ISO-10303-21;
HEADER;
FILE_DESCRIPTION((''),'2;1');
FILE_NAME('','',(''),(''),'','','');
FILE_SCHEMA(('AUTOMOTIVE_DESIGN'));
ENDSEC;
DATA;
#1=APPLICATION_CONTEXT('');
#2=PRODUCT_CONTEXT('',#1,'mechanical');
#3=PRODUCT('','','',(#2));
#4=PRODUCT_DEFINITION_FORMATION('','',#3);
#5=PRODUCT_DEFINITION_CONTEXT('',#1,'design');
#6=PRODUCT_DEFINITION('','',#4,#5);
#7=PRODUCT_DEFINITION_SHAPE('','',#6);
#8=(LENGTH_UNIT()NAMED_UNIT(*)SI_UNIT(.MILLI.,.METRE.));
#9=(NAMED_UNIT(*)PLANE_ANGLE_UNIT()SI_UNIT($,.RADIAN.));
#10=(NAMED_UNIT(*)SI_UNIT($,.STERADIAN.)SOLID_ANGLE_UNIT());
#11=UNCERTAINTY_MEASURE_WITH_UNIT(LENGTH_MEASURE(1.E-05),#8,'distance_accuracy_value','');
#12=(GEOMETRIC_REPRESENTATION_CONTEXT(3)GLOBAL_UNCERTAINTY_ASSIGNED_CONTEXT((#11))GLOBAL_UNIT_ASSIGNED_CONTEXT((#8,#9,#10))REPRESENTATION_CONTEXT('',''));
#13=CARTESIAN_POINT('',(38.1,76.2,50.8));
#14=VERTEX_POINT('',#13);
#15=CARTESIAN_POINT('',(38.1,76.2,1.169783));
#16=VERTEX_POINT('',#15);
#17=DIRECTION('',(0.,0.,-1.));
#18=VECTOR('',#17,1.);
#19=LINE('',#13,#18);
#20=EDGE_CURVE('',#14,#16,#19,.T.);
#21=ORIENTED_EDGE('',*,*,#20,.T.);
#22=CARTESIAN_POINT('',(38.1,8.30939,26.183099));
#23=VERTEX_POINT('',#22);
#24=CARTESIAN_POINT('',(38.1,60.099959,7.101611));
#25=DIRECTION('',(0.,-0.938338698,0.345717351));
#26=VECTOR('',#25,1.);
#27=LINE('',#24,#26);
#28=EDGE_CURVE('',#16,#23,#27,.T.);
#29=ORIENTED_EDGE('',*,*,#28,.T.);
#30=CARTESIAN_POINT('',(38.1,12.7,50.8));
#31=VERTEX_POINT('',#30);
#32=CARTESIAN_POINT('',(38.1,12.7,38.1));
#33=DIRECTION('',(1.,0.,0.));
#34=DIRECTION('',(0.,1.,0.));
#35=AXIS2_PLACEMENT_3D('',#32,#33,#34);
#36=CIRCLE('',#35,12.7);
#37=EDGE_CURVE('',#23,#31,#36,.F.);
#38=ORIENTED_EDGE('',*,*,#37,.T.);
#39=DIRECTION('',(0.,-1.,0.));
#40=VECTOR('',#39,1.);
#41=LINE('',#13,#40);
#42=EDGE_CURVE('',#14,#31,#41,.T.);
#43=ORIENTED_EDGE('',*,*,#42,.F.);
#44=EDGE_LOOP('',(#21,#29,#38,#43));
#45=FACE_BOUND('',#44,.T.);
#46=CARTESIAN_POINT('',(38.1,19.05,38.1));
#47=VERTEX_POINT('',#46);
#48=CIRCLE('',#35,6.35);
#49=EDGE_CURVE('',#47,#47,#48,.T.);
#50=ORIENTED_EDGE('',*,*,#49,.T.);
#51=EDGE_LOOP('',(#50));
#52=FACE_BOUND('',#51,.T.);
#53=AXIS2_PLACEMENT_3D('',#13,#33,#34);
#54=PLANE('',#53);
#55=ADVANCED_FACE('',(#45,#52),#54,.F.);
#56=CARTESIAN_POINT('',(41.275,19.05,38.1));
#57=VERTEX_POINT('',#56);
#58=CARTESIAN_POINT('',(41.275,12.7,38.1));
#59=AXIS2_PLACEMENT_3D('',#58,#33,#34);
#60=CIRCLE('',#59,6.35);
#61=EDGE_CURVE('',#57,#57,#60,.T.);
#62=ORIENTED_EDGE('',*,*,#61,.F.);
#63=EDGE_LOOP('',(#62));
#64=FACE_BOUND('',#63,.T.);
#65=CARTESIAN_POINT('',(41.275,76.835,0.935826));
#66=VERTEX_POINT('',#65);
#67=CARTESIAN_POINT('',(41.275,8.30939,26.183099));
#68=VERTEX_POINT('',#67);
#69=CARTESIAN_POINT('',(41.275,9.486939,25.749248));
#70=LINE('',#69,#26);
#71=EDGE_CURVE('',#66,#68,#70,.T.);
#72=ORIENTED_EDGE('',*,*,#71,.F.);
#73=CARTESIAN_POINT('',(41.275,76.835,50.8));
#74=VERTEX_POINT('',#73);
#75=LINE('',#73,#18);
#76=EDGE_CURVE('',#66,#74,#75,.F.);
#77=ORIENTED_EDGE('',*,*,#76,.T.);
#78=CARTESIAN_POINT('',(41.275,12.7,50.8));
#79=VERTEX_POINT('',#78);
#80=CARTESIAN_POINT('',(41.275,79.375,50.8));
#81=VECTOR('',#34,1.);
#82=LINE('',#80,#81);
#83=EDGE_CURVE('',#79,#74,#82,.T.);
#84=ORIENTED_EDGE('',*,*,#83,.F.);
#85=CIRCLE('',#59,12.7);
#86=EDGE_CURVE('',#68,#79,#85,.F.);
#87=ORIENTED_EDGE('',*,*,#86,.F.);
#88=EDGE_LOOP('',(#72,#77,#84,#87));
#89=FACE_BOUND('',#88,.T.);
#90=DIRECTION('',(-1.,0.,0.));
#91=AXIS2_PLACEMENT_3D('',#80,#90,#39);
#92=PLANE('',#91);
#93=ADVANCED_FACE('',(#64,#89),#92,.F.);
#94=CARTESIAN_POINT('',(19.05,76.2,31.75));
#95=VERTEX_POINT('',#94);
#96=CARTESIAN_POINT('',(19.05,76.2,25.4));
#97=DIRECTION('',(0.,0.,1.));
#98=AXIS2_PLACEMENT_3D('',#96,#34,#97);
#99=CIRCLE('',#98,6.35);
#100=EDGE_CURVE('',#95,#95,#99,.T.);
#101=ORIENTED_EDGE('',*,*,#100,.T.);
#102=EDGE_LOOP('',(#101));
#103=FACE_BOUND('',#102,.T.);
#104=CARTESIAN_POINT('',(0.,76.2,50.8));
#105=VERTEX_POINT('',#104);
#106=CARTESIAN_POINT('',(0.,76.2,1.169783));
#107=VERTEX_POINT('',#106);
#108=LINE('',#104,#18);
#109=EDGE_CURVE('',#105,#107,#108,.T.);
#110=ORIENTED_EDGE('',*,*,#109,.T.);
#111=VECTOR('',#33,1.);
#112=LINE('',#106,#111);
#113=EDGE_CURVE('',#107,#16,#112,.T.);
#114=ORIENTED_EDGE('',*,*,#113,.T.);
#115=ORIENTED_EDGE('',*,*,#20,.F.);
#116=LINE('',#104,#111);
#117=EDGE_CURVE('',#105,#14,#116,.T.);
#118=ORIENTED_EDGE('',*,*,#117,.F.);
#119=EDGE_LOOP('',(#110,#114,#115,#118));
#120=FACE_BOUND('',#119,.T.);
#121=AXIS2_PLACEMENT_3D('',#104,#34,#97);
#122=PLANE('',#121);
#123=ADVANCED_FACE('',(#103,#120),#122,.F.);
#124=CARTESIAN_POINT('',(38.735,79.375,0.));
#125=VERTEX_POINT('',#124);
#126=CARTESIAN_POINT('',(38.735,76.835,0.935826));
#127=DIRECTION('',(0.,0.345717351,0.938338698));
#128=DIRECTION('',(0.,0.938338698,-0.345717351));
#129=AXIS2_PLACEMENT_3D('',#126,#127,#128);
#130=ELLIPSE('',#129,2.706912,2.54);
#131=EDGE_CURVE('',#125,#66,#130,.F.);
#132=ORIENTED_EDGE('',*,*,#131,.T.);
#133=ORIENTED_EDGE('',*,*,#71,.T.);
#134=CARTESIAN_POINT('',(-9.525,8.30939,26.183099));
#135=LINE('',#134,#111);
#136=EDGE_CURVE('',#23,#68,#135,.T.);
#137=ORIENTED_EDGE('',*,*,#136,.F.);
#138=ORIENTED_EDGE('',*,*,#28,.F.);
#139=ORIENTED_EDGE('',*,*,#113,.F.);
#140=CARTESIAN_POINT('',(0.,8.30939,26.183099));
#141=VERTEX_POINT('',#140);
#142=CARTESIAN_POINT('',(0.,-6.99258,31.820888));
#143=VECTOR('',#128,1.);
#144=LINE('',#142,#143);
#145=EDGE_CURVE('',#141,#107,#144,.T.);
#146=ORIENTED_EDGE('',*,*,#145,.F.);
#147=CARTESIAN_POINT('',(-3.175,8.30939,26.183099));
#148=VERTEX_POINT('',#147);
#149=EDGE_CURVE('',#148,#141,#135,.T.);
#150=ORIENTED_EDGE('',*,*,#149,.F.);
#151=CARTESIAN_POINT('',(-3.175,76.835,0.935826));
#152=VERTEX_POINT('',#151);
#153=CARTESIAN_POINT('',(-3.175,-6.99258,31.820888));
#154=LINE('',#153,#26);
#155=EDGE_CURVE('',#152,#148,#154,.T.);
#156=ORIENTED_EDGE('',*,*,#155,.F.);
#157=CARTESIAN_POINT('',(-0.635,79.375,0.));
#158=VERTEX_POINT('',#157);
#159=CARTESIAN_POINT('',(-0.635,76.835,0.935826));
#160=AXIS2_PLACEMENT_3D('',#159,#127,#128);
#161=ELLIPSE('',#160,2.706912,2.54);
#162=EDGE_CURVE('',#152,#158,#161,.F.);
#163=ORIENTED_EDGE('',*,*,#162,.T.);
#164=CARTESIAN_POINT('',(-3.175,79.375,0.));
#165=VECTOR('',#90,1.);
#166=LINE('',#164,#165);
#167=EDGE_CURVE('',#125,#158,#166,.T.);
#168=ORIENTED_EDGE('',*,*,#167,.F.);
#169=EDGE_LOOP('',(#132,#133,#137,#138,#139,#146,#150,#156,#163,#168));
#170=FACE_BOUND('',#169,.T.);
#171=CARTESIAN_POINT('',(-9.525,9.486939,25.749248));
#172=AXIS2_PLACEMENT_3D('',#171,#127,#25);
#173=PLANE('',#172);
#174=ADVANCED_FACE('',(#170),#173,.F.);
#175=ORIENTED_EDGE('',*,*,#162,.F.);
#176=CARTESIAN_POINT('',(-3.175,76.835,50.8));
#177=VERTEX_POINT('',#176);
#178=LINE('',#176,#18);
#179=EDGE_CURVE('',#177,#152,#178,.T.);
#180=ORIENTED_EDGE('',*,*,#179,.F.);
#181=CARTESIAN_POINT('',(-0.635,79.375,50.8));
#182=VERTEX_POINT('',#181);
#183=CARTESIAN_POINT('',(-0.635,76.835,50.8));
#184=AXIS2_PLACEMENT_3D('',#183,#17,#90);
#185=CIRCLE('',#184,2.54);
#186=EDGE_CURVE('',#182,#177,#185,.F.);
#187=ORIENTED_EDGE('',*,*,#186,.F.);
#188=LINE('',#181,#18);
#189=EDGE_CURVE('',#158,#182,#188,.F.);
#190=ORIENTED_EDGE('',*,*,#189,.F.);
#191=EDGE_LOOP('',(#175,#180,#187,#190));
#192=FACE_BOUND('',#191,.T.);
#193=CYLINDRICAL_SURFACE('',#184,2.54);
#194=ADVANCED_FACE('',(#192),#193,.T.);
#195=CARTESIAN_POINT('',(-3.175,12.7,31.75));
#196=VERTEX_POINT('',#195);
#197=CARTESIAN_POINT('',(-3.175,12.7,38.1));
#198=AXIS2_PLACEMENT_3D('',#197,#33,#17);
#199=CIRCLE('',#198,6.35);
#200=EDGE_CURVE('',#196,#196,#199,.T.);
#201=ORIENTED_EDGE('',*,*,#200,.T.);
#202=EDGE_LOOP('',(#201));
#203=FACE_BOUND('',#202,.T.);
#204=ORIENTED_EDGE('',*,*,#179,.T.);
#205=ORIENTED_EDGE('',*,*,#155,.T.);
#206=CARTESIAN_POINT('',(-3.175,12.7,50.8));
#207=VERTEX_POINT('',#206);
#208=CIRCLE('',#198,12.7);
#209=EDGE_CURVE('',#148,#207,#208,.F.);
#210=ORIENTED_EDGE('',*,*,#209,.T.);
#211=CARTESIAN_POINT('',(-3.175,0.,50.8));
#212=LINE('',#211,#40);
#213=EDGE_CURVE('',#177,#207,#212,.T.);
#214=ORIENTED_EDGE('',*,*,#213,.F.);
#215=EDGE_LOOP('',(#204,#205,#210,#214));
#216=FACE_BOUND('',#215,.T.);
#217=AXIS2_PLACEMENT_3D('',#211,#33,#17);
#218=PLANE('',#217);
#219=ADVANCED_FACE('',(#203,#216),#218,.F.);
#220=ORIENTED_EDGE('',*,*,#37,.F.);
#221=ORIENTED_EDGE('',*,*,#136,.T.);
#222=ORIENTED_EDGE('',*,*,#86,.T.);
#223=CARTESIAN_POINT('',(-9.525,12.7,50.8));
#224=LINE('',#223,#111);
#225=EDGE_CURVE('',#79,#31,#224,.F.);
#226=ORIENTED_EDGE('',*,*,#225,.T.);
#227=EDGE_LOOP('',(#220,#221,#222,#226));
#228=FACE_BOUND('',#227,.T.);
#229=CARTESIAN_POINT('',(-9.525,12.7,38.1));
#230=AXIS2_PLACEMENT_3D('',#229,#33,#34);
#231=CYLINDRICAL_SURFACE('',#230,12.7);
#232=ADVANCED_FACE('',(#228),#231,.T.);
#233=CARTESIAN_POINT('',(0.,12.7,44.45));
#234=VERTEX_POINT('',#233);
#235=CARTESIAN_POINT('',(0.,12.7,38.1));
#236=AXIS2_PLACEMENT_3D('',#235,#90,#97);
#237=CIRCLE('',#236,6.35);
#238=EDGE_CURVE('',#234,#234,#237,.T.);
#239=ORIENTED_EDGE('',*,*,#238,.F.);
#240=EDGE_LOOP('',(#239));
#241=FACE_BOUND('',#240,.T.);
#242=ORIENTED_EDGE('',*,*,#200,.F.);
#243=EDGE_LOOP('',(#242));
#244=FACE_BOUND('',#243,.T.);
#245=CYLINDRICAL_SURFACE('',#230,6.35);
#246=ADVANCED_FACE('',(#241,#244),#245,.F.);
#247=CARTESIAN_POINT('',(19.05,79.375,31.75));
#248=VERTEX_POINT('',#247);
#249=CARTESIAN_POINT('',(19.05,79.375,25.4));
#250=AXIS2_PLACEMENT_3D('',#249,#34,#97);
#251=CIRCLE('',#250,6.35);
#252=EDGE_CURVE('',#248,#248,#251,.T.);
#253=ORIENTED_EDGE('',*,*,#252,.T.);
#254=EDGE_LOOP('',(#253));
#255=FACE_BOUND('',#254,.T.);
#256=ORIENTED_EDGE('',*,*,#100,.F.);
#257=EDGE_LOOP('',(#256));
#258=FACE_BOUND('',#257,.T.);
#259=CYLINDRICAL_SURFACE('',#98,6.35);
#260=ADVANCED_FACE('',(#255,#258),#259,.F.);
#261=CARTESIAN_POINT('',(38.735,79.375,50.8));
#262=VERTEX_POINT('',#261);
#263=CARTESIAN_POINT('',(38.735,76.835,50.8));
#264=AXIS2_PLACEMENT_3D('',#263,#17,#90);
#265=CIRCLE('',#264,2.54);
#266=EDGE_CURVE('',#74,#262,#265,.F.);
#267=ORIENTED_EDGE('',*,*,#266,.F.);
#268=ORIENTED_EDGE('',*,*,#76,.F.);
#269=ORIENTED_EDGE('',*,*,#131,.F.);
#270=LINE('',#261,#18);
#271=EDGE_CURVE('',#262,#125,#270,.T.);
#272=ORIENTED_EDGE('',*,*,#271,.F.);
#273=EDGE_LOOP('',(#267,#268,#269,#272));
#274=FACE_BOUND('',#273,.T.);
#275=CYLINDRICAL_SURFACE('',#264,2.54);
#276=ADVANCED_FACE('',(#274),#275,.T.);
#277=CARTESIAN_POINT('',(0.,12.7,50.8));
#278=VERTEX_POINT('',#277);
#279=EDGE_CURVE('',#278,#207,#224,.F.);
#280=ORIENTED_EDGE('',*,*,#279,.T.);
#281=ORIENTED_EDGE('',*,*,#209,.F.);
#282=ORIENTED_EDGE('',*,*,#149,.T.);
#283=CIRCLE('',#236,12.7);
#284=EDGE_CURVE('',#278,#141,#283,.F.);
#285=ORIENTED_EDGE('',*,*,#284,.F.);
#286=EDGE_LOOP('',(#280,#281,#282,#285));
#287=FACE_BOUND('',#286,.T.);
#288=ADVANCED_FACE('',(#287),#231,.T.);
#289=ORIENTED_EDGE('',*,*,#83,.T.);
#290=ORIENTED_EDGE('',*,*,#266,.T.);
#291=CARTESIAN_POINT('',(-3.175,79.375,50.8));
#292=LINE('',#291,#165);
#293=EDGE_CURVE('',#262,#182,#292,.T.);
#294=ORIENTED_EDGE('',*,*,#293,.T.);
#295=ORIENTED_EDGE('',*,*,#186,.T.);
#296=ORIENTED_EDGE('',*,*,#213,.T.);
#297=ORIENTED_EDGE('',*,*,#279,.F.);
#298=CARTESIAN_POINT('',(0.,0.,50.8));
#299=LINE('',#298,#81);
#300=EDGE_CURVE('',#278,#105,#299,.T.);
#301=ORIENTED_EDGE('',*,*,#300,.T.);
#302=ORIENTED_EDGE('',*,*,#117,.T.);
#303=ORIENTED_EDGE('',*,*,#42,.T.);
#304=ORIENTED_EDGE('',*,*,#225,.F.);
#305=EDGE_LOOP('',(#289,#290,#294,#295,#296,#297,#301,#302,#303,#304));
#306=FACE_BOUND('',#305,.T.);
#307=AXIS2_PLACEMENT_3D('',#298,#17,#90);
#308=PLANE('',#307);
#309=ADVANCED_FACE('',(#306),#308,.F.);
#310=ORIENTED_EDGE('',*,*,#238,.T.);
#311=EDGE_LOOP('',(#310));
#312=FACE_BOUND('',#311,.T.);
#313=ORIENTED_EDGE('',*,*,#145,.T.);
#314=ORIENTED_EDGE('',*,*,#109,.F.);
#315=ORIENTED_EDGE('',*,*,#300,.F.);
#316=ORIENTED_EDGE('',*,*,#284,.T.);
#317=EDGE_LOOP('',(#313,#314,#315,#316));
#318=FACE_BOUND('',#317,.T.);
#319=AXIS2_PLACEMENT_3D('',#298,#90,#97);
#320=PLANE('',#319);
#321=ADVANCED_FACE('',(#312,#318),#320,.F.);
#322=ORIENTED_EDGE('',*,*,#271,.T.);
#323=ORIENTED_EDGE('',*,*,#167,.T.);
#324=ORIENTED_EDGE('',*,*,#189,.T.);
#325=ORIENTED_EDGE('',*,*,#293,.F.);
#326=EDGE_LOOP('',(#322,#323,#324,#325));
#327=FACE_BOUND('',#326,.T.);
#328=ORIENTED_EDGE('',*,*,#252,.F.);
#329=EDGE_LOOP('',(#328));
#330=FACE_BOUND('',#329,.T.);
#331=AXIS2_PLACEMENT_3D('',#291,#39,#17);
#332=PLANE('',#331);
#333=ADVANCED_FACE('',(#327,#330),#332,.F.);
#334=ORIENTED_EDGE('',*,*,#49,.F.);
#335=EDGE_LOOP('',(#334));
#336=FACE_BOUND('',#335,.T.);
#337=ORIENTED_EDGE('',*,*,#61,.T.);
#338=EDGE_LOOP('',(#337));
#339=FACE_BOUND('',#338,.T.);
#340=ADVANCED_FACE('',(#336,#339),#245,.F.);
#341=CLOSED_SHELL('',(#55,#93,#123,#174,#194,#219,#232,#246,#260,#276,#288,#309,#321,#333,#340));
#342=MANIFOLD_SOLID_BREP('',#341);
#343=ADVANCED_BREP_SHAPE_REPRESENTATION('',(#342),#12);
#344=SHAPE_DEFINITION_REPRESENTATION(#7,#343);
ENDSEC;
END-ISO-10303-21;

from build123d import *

# Parameters (mm, degrees)
SALIENTE_EXTRUIR1_DEPTH = 50.8
CROQUIS4_R              = 6.35
CORTAR_EXTRUIR4_DEPTH   = 50.8
REDONDEO1_R             = 2.54
CROQUIS7_R              = 6.35
CORTAR_EXTRUIR5_DEPTH   = 3.175


with BuildPart() as part:
    # Croquis3 → Saliente-Extruir1 (new body)
    with BuildSketch(Plane.XY):
        Polygon((0, 0), (0, 76.2), (38.1, 76.2), (38.1, 0), (41.275, 0), (41.275, 79.375), (-3.175, 79.375), (-3.175, 0), align=None)
    extrude(amount=SALIENTE_EXTRUIR1_DEPTH)

    # Croquis4 → Cortar-Extruir4 (cut)
    with BuildSketch(Plane(origin=(41.275, 0, 0), x_dir=(0, 0, -1), z_dir=(1, 0, 0))):
        with BuildLine():
            Line((-50.8, 0), (-38.099999933, 0))
            ThreePointArc((-38.099999933, 0), (-47.080256097, 3.719743855), (-50.8, 12.7))
            Line((-50.8, 12.7), (-50.8, 0))
        make_face()
        with Locations((-38.1, 12.7)):
            Circle(CROQUIS4_R)
        with BuildLine():
            Line((0, 0), (0, 79.375))
            Line((0, 79.375), (-26.18309853, 8.309389636))
            ThreePointArc((-26.18309853, 8.309389636), (-30.836073748, 2.282448685), (-38.099999933, 0))
            Line((-38.099999933, 0), (0, 0))
        make_face()
    extrude(amount=-CORTAR_EXTRUIR4_DEPTH, mode=Mode.SUBTRACT)

    # Redondeo1
    redondeo1_edges = [part.edges().sort_by_distance(p)[0] for p in [
        (-3.175, 79.375, 25.4),
        (41.275, 79.375, 25.4),
    ]]
    fillet(redondeo1_edges, radius=REDONDEO1_R)

    # Croquis7 → Cortar-Extruir5 (cut)
    with BuildSketch(Plane(origin=(0, 79.375, 0), x_dir=(1, 0, 0), z_dir=(0, 1, 0))):
        with Locations((19.05, -25.4)):
            Circle(CROQUIS7_R)
    extrude(amount=-CORTAR_EXTRUIR5_DEPTH, mode=Mode.SUBTRACT)


solid = part.part
